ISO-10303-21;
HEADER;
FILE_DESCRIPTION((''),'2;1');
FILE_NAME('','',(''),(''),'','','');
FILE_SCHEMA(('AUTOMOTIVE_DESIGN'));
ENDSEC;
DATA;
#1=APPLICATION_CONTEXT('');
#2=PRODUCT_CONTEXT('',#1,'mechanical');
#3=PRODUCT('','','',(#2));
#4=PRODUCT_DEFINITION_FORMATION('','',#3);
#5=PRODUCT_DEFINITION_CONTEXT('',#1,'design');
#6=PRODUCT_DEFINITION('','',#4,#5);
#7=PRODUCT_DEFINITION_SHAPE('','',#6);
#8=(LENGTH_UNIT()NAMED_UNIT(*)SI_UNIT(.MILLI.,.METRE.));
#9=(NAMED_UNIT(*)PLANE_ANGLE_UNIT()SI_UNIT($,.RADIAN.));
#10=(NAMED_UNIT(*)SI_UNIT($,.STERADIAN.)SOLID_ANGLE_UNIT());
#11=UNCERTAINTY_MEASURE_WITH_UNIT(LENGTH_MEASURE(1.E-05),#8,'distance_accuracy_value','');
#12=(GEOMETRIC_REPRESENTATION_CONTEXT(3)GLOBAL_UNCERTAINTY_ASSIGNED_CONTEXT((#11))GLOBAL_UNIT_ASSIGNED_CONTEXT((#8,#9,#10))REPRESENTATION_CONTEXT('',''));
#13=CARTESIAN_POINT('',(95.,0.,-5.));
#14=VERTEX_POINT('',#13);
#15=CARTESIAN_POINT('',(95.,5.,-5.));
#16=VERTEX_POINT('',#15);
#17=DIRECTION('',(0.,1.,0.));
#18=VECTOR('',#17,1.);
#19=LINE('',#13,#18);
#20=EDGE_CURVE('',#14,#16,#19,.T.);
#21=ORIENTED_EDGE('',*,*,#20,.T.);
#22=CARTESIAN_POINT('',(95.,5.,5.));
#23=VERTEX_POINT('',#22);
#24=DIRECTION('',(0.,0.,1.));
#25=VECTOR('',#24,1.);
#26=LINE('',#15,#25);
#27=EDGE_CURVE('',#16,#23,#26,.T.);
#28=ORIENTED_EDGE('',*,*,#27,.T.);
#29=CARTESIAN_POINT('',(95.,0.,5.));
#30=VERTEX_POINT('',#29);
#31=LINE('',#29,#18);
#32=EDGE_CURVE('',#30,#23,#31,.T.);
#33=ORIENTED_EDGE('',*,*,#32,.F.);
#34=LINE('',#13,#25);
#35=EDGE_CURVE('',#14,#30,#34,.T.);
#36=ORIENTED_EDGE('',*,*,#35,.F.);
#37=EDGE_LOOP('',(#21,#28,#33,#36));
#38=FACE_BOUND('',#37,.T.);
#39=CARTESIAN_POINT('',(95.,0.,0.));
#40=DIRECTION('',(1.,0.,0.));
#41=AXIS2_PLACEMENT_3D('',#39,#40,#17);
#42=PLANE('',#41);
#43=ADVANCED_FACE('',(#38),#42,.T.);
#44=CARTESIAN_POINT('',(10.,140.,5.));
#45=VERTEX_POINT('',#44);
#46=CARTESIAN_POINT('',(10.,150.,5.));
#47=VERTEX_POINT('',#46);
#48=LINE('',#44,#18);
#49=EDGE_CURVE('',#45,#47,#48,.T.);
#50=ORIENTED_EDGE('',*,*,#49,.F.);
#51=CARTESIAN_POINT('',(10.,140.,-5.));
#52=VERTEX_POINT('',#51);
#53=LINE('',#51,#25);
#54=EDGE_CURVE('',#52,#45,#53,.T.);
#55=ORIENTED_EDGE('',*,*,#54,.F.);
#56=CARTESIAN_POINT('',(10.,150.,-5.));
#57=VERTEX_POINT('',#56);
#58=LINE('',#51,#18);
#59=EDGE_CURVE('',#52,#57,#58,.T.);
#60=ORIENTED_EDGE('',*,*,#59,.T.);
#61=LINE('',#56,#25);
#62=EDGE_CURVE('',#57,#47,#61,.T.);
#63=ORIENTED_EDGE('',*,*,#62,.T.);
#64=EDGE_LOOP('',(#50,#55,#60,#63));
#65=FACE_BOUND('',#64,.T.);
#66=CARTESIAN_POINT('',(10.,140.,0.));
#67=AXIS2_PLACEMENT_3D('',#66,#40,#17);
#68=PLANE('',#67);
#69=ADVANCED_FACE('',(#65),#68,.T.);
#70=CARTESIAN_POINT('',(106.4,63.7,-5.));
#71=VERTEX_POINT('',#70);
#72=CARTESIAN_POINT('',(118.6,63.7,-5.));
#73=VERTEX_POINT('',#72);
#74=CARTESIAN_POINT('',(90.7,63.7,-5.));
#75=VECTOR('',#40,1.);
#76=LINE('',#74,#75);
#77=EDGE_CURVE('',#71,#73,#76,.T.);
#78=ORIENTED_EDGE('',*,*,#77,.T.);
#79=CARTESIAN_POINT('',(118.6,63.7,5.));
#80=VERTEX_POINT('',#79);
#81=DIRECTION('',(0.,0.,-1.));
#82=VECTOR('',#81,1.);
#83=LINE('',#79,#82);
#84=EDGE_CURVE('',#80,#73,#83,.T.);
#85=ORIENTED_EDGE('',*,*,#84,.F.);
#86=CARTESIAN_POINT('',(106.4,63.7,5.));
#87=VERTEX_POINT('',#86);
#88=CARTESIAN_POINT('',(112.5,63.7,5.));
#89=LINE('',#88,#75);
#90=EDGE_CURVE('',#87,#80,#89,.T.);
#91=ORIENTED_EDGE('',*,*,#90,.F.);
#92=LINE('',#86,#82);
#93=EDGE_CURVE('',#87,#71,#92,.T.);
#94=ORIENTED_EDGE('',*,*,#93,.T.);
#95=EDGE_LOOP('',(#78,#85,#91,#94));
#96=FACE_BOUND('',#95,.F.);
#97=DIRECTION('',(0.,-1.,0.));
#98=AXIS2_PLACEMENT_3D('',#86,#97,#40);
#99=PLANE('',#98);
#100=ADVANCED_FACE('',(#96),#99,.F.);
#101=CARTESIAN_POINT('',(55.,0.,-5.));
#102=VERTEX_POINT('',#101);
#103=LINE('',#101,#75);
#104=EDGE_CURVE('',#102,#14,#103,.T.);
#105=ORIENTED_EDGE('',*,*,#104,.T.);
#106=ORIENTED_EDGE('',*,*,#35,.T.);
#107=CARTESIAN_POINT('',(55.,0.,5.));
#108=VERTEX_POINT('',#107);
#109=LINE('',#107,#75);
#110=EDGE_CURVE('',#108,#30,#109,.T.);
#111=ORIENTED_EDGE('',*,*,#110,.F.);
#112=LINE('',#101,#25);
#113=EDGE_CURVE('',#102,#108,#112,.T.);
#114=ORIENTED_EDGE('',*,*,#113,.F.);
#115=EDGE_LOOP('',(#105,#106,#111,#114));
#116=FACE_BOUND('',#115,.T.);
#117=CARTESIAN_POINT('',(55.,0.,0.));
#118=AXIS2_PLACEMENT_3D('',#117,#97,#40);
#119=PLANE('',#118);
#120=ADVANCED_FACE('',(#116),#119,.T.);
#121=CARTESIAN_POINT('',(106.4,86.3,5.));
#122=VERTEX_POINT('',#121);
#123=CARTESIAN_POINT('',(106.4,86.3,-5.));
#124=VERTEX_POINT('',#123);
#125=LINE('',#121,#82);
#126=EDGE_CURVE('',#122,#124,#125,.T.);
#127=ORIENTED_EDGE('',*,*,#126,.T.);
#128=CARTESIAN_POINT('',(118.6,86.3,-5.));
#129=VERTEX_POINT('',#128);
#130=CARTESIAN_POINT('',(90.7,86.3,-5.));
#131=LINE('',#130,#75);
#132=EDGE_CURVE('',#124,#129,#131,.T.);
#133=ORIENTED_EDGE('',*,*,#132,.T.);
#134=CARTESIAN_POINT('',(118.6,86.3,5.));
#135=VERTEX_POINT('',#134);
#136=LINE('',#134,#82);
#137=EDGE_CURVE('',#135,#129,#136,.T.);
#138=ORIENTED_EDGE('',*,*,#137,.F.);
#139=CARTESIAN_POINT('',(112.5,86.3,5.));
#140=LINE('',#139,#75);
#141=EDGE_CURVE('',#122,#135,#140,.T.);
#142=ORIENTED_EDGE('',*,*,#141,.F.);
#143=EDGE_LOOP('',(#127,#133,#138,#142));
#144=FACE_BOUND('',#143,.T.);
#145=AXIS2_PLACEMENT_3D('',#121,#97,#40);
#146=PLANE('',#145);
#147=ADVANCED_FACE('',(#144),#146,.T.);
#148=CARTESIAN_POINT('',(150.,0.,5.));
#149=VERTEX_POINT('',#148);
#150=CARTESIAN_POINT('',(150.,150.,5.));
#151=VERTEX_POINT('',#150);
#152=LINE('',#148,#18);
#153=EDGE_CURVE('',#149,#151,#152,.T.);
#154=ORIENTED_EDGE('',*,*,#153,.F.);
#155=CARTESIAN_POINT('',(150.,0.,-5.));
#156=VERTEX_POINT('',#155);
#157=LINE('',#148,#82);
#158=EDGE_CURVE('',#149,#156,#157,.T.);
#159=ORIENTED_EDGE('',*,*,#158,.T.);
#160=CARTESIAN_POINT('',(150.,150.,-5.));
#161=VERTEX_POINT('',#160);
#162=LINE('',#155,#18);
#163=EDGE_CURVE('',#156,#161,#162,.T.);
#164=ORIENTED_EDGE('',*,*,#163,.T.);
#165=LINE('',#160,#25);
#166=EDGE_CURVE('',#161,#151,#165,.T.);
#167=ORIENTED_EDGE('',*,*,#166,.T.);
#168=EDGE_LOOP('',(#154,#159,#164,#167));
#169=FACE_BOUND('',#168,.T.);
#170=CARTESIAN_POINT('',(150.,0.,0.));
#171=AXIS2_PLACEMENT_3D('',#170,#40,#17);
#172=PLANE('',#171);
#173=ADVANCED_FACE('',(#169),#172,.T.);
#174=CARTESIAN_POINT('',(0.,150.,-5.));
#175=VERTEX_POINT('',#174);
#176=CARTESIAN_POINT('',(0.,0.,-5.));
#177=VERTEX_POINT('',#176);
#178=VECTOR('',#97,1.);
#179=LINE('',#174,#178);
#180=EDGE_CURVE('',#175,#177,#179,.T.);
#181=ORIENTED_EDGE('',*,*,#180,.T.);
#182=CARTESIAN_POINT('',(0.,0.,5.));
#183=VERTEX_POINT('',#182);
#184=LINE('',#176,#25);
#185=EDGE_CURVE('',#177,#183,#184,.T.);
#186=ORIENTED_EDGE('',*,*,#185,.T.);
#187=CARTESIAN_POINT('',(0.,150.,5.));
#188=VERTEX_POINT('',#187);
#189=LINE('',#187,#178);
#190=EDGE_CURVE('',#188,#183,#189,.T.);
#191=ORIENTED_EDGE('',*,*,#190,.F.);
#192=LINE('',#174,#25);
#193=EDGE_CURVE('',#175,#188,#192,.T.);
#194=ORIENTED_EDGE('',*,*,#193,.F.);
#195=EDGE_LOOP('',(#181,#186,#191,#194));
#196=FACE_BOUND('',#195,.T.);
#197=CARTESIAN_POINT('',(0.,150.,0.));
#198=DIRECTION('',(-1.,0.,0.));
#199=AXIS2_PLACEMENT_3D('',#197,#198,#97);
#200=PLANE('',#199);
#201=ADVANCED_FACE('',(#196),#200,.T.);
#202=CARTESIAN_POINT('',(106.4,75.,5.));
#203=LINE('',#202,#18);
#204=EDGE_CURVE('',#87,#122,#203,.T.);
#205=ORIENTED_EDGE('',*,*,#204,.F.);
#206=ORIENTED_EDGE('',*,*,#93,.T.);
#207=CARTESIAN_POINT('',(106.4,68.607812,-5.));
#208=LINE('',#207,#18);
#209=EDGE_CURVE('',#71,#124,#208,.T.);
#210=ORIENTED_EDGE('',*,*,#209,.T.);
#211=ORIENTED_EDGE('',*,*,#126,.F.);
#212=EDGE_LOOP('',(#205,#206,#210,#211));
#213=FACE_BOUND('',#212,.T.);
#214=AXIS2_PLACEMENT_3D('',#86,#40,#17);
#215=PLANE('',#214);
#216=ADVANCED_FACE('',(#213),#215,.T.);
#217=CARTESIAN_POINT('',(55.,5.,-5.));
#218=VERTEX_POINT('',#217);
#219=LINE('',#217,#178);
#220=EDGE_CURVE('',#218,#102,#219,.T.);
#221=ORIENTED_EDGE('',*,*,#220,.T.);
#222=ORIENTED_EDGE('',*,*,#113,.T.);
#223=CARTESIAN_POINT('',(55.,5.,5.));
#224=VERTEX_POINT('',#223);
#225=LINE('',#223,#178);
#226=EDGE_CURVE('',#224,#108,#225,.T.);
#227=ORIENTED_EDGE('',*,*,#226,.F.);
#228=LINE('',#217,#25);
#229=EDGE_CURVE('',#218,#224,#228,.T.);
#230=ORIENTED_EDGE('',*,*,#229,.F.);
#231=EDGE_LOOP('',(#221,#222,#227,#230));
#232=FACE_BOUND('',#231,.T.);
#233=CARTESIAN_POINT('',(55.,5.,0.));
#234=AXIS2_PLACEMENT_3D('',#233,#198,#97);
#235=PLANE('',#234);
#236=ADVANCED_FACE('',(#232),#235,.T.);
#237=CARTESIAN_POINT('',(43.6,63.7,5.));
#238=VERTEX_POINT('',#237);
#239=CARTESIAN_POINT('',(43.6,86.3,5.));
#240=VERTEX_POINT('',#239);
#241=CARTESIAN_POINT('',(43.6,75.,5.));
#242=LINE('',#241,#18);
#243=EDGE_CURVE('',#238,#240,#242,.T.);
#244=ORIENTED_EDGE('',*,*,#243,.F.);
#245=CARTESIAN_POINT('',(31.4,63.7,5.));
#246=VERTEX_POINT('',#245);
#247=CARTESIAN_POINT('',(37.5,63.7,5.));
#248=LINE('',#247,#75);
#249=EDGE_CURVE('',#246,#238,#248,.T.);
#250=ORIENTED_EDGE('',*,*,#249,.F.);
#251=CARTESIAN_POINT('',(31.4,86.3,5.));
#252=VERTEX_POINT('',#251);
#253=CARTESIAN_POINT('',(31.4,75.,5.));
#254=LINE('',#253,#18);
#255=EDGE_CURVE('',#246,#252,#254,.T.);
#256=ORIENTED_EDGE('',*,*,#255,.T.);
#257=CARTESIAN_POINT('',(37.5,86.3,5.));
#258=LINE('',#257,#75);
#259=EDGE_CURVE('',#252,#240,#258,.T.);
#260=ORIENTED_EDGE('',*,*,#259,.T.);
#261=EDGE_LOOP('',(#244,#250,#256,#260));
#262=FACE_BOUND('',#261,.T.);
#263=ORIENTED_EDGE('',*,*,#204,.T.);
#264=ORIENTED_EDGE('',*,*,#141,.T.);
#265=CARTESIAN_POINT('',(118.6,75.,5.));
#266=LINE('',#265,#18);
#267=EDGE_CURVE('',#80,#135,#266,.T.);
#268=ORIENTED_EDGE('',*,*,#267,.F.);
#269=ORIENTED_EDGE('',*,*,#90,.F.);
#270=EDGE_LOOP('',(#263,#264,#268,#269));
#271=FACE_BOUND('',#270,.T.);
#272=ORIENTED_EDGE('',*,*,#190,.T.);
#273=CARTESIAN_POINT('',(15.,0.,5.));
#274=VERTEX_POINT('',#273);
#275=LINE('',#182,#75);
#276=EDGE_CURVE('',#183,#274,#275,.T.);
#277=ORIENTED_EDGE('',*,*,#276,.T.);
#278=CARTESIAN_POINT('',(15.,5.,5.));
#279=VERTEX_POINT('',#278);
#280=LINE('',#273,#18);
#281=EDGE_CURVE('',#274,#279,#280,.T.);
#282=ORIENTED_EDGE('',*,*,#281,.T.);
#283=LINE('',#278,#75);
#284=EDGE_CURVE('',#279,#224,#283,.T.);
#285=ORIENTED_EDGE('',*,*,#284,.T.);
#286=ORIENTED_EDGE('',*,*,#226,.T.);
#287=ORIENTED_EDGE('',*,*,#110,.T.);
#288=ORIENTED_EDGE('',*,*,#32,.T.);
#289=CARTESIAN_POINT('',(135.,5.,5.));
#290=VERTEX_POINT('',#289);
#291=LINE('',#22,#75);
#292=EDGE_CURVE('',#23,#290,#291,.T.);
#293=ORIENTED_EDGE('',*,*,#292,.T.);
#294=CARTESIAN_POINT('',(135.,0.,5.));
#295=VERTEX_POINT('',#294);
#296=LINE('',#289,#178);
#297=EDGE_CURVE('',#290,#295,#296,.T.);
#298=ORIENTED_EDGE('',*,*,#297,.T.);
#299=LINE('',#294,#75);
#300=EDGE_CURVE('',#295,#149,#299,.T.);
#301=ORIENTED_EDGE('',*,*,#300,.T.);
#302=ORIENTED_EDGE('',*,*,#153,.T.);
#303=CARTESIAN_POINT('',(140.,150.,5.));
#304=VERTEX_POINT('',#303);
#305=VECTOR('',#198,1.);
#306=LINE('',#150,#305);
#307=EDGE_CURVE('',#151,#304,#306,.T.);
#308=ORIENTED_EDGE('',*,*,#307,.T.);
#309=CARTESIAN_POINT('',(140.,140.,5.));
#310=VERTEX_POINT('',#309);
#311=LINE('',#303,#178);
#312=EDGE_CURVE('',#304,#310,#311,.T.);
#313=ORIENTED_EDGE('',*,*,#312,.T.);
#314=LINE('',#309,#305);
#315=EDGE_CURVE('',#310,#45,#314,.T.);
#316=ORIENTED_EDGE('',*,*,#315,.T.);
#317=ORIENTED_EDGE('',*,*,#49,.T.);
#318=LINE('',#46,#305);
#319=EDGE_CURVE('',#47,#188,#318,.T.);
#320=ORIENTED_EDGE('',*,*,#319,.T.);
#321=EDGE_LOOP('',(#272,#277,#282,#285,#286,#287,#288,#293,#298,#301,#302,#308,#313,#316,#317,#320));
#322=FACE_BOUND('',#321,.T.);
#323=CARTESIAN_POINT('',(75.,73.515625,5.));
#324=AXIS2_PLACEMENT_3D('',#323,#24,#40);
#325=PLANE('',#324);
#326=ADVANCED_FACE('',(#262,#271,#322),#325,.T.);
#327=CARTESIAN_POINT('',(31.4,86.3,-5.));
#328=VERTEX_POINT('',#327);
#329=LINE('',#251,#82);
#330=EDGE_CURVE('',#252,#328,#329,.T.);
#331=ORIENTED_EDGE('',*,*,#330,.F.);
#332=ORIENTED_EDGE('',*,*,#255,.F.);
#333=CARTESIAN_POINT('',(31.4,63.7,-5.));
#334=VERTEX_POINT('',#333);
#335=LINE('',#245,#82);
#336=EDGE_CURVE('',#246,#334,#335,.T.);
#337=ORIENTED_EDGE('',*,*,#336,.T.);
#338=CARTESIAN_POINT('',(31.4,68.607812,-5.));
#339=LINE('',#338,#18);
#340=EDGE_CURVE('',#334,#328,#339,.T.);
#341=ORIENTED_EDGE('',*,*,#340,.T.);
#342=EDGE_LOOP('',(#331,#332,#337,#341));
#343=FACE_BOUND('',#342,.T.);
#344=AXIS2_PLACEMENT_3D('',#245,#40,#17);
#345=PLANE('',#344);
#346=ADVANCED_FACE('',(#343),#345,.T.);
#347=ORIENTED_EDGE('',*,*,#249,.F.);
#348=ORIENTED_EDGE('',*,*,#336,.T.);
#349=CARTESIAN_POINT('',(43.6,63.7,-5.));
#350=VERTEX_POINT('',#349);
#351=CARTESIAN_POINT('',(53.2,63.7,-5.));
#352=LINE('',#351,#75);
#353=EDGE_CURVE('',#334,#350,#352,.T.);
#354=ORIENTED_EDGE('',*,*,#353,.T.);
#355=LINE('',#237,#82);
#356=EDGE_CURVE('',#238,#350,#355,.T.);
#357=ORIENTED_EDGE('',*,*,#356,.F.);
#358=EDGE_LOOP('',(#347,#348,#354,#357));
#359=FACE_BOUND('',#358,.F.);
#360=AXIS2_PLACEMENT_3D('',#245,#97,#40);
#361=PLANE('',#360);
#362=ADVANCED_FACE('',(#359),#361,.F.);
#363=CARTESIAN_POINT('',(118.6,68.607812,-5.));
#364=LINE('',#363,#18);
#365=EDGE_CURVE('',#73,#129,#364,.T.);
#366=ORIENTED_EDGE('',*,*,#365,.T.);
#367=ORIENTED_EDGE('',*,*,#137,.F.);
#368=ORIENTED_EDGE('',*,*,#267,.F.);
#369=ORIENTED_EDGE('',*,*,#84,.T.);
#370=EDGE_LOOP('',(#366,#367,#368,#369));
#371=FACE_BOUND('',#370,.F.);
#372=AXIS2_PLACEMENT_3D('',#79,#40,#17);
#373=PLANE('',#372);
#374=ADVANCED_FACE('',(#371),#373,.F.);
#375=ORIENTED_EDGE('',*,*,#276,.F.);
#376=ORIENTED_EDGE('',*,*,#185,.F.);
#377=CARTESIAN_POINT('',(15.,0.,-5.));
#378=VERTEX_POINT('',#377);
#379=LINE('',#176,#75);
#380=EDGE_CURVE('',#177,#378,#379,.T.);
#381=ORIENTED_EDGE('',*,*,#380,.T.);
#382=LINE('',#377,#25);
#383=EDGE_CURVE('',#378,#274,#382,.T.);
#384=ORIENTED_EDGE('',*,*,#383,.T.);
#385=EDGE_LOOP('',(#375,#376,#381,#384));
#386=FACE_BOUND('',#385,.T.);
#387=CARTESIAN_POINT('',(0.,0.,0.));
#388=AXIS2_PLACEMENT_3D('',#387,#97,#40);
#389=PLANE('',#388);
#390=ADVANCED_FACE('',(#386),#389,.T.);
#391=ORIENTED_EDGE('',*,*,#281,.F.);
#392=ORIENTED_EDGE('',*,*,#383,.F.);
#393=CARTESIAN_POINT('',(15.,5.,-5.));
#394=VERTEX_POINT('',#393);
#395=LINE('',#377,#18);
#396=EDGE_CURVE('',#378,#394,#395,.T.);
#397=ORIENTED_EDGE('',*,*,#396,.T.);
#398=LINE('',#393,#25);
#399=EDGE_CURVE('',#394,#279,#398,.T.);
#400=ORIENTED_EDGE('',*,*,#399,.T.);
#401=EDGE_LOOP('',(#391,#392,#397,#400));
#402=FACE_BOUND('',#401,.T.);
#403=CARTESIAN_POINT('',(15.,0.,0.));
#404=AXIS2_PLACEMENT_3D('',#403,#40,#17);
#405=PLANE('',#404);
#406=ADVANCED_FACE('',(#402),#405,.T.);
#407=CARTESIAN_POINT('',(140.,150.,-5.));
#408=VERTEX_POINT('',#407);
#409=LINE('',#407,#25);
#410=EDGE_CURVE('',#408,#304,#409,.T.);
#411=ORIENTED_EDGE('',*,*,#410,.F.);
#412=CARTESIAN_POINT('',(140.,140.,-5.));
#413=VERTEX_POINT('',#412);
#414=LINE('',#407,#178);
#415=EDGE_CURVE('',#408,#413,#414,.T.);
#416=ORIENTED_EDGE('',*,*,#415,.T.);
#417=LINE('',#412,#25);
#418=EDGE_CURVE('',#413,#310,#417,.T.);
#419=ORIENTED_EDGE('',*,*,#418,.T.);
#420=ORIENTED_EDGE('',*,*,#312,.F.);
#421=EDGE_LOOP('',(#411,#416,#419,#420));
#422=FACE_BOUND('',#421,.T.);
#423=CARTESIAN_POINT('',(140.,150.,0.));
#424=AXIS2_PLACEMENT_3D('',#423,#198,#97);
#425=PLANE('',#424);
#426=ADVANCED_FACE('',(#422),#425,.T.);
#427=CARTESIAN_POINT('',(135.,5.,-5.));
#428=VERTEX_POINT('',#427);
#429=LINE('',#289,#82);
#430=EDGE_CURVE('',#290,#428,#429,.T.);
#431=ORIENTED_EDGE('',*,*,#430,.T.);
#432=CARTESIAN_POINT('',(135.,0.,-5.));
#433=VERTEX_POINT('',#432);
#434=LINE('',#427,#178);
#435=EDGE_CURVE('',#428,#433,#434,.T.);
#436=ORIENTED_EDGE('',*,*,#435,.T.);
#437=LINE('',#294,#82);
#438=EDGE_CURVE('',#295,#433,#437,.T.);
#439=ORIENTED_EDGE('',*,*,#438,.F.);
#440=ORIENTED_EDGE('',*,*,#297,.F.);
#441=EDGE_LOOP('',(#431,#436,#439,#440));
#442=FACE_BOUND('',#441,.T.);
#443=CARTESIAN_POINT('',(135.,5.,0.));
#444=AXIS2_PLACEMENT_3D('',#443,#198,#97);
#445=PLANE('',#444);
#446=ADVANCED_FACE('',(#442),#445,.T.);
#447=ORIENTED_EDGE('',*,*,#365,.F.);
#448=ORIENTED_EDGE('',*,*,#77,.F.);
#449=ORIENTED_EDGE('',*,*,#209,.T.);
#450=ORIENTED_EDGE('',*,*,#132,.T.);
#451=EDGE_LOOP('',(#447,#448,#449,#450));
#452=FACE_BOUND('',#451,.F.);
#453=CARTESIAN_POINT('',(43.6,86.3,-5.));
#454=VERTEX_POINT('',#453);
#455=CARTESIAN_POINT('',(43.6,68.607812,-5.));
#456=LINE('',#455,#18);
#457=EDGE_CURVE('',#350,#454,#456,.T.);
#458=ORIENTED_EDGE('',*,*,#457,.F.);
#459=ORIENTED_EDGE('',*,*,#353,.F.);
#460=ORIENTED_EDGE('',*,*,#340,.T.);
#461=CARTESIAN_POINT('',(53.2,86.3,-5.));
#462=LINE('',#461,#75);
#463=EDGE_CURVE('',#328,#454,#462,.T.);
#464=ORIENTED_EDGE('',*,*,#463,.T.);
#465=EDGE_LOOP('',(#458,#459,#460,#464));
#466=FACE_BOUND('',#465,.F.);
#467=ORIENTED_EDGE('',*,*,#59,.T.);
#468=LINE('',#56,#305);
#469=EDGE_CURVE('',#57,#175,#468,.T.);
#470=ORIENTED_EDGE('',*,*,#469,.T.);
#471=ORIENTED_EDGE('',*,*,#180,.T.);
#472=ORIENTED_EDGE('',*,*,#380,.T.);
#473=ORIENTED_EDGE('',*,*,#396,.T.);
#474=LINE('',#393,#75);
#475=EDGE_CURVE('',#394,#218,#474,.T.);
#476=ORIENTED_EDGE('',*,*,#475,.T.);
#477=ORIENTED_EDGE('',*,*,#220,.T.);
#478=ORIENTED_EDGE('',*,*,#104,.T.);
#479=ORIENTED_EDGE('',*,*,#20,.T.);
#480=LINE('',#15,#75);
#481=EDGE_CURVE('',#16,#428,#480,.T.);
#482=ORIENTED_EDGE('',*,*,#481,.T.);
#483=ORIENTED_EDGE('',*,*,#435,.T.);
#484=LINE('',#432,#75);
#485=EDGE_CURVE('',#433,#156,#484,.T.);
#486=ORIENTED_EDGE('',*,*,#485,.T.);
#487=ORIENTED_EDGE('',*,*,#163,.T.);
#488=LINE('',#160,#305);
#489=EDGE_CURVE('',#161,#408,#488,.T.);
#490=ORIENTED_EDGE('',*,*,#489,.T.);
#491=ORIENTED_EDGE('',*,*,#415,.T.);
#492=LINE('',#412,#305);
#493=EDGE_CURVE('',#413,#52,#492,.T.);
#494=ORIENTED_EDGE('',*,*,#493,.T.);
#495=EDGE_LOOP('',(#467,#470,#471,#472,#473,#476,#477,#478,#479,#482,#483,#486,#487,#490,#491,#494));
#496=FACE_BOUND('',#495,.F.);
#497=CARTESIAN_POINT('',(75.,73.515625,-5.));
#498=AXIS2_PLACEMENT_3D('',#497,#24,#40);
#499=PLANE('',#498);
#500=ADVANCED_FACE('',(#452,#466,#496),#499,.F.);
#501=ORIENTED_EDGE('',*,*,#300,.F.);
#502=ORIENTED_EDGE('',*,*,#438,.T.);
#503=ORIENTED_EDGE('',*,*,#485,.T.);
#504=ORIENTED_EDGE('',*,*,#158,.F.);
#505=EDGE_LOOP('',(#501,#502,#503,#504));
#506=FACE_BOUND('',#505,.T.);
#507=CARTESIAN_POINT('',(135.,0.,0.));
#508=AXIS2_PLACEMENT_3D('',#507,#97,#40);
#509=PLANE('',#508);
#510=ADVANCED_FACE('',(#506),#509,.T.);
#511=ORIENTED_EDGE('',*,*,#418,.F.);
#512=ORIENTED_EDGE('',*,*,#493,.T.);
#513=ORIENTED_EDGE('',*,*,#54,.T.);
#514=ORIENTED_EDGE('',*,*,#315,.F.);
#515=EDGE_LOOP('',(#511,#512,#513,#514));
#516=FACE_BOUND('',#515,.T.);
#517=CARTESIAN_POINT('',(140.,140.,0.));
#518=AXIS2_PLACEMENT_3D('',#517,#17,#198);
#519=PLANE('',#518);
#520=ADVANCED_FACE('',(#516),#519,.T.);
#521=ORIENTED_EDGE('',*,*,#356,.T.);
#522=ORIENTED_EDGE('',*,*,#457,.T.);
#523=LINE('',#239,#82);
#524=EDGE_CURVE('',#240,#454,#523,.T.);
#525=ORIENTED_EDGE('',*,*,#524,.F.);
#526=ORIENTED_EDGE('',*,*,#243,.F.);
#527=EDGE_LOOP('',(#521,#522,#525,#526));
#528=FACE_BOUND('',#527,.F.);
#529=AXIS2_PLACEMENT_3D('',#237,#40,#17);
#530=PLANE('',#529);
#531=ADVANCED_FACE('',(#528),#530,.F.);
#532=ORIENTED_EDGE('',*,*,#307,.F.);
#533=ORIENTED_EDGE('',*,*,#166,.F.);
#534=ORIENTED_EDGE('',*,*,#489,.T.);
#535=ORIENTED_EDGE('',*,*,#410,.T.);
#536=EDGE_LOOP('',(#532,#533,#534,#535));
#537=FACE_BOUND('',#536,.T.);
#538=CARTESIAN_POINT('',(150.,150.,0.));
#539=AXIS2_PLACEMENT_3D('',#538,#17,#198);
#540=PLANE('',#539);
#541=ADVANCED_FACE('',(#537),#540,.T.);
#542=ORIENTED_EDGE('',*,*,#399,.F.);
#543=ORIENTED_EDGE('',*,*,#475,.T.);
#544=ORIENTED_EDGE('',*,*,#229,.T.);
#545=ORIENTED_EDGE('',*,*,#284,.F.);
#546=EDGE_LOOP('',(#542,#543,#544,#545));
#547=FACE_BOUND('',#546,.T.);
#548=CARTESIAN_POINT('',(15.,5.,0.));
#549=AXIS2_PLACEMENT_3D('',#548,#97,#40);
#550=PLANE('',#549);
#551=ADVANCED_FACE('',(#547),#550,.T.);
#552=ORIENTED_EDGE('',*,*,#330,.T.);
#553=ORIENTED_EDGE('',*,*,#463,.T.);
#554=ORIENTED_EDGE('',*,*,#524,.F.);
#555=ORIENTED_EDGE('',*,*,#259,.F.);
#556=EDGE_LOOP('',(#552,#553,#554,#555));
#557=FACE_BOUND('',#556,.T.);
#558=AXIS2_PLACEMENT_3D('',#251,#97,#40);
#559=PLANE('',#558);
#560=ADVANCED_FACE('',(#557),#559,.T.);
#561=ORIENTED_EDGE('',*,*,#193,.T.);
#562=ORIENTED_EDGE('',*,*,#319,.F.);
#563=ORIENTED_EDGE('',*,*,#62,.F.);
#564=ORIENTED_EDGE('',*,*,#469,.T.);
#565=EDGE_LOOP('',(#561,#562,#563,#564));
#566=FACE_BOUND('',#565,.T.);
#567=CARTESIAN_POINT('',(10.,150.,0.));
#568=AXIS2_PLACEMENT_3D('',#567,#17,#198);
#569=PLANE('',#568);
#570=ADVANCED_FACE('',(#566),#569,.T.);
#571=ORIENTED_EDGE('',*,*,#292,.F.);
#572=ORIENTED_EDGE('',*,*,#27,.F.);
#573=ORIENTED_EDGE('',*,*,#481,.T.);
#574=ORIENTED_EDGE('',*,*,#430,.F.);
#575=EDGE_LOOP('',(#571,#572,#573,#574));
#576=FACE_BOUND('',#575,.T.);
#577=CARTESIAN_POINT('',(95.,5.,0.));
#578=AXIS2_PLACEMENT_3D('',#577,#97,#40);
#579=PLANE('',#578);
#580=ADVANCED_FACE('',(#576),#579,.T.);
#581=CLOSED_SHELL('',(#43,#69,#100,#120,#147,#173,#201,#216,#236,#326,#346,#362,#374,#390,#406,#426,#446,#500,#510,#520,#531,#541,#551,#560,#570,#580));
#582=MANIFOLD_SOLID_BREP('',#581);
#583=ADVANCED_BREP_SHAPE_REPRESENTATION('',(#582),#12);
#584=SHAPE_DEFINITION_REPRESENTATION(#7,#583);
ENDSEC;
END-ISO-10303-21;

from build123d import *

# Parameters (mm, degrees)
PAD_DEPTH    = 5
SKETCH001_W  = 12.2
SKETCH001_H  = 22.6
POCKET_DEPTH = 10.001


with BuildPart() as part:
    # Sketch → Pad (new body, symmetric)
    with BuildSketch(Plane.XY):
        Polygon((150, 0), (150, 150), (140, 150), (140, 140), (10, 140), (10, 150), (0, 150), (0, 0), (15, 0), (15, 5), (55, 5), (55, 0), (95, 0), (95, 5), (135, 5), (135, 0), align=None)
    extrude(amount=PAD_DEPTH, both=True)

    # Sketch001 (on Face18 of Pad) → Pocket (cut, through all)
    with BuildSketch(Plane.XY.offset(5)):
        with Locations((37.5, 75)):
            Rectangle(SKETCH001_W, SKETCH001_H)
        with Locations((112.5, 75)):
            Rectangle(SKETCH001_W, SKETCH001_H)
    extrude(amount=-POCKET_DEPTH, mode=Mode.SUBTRACT)


solid = part.part
